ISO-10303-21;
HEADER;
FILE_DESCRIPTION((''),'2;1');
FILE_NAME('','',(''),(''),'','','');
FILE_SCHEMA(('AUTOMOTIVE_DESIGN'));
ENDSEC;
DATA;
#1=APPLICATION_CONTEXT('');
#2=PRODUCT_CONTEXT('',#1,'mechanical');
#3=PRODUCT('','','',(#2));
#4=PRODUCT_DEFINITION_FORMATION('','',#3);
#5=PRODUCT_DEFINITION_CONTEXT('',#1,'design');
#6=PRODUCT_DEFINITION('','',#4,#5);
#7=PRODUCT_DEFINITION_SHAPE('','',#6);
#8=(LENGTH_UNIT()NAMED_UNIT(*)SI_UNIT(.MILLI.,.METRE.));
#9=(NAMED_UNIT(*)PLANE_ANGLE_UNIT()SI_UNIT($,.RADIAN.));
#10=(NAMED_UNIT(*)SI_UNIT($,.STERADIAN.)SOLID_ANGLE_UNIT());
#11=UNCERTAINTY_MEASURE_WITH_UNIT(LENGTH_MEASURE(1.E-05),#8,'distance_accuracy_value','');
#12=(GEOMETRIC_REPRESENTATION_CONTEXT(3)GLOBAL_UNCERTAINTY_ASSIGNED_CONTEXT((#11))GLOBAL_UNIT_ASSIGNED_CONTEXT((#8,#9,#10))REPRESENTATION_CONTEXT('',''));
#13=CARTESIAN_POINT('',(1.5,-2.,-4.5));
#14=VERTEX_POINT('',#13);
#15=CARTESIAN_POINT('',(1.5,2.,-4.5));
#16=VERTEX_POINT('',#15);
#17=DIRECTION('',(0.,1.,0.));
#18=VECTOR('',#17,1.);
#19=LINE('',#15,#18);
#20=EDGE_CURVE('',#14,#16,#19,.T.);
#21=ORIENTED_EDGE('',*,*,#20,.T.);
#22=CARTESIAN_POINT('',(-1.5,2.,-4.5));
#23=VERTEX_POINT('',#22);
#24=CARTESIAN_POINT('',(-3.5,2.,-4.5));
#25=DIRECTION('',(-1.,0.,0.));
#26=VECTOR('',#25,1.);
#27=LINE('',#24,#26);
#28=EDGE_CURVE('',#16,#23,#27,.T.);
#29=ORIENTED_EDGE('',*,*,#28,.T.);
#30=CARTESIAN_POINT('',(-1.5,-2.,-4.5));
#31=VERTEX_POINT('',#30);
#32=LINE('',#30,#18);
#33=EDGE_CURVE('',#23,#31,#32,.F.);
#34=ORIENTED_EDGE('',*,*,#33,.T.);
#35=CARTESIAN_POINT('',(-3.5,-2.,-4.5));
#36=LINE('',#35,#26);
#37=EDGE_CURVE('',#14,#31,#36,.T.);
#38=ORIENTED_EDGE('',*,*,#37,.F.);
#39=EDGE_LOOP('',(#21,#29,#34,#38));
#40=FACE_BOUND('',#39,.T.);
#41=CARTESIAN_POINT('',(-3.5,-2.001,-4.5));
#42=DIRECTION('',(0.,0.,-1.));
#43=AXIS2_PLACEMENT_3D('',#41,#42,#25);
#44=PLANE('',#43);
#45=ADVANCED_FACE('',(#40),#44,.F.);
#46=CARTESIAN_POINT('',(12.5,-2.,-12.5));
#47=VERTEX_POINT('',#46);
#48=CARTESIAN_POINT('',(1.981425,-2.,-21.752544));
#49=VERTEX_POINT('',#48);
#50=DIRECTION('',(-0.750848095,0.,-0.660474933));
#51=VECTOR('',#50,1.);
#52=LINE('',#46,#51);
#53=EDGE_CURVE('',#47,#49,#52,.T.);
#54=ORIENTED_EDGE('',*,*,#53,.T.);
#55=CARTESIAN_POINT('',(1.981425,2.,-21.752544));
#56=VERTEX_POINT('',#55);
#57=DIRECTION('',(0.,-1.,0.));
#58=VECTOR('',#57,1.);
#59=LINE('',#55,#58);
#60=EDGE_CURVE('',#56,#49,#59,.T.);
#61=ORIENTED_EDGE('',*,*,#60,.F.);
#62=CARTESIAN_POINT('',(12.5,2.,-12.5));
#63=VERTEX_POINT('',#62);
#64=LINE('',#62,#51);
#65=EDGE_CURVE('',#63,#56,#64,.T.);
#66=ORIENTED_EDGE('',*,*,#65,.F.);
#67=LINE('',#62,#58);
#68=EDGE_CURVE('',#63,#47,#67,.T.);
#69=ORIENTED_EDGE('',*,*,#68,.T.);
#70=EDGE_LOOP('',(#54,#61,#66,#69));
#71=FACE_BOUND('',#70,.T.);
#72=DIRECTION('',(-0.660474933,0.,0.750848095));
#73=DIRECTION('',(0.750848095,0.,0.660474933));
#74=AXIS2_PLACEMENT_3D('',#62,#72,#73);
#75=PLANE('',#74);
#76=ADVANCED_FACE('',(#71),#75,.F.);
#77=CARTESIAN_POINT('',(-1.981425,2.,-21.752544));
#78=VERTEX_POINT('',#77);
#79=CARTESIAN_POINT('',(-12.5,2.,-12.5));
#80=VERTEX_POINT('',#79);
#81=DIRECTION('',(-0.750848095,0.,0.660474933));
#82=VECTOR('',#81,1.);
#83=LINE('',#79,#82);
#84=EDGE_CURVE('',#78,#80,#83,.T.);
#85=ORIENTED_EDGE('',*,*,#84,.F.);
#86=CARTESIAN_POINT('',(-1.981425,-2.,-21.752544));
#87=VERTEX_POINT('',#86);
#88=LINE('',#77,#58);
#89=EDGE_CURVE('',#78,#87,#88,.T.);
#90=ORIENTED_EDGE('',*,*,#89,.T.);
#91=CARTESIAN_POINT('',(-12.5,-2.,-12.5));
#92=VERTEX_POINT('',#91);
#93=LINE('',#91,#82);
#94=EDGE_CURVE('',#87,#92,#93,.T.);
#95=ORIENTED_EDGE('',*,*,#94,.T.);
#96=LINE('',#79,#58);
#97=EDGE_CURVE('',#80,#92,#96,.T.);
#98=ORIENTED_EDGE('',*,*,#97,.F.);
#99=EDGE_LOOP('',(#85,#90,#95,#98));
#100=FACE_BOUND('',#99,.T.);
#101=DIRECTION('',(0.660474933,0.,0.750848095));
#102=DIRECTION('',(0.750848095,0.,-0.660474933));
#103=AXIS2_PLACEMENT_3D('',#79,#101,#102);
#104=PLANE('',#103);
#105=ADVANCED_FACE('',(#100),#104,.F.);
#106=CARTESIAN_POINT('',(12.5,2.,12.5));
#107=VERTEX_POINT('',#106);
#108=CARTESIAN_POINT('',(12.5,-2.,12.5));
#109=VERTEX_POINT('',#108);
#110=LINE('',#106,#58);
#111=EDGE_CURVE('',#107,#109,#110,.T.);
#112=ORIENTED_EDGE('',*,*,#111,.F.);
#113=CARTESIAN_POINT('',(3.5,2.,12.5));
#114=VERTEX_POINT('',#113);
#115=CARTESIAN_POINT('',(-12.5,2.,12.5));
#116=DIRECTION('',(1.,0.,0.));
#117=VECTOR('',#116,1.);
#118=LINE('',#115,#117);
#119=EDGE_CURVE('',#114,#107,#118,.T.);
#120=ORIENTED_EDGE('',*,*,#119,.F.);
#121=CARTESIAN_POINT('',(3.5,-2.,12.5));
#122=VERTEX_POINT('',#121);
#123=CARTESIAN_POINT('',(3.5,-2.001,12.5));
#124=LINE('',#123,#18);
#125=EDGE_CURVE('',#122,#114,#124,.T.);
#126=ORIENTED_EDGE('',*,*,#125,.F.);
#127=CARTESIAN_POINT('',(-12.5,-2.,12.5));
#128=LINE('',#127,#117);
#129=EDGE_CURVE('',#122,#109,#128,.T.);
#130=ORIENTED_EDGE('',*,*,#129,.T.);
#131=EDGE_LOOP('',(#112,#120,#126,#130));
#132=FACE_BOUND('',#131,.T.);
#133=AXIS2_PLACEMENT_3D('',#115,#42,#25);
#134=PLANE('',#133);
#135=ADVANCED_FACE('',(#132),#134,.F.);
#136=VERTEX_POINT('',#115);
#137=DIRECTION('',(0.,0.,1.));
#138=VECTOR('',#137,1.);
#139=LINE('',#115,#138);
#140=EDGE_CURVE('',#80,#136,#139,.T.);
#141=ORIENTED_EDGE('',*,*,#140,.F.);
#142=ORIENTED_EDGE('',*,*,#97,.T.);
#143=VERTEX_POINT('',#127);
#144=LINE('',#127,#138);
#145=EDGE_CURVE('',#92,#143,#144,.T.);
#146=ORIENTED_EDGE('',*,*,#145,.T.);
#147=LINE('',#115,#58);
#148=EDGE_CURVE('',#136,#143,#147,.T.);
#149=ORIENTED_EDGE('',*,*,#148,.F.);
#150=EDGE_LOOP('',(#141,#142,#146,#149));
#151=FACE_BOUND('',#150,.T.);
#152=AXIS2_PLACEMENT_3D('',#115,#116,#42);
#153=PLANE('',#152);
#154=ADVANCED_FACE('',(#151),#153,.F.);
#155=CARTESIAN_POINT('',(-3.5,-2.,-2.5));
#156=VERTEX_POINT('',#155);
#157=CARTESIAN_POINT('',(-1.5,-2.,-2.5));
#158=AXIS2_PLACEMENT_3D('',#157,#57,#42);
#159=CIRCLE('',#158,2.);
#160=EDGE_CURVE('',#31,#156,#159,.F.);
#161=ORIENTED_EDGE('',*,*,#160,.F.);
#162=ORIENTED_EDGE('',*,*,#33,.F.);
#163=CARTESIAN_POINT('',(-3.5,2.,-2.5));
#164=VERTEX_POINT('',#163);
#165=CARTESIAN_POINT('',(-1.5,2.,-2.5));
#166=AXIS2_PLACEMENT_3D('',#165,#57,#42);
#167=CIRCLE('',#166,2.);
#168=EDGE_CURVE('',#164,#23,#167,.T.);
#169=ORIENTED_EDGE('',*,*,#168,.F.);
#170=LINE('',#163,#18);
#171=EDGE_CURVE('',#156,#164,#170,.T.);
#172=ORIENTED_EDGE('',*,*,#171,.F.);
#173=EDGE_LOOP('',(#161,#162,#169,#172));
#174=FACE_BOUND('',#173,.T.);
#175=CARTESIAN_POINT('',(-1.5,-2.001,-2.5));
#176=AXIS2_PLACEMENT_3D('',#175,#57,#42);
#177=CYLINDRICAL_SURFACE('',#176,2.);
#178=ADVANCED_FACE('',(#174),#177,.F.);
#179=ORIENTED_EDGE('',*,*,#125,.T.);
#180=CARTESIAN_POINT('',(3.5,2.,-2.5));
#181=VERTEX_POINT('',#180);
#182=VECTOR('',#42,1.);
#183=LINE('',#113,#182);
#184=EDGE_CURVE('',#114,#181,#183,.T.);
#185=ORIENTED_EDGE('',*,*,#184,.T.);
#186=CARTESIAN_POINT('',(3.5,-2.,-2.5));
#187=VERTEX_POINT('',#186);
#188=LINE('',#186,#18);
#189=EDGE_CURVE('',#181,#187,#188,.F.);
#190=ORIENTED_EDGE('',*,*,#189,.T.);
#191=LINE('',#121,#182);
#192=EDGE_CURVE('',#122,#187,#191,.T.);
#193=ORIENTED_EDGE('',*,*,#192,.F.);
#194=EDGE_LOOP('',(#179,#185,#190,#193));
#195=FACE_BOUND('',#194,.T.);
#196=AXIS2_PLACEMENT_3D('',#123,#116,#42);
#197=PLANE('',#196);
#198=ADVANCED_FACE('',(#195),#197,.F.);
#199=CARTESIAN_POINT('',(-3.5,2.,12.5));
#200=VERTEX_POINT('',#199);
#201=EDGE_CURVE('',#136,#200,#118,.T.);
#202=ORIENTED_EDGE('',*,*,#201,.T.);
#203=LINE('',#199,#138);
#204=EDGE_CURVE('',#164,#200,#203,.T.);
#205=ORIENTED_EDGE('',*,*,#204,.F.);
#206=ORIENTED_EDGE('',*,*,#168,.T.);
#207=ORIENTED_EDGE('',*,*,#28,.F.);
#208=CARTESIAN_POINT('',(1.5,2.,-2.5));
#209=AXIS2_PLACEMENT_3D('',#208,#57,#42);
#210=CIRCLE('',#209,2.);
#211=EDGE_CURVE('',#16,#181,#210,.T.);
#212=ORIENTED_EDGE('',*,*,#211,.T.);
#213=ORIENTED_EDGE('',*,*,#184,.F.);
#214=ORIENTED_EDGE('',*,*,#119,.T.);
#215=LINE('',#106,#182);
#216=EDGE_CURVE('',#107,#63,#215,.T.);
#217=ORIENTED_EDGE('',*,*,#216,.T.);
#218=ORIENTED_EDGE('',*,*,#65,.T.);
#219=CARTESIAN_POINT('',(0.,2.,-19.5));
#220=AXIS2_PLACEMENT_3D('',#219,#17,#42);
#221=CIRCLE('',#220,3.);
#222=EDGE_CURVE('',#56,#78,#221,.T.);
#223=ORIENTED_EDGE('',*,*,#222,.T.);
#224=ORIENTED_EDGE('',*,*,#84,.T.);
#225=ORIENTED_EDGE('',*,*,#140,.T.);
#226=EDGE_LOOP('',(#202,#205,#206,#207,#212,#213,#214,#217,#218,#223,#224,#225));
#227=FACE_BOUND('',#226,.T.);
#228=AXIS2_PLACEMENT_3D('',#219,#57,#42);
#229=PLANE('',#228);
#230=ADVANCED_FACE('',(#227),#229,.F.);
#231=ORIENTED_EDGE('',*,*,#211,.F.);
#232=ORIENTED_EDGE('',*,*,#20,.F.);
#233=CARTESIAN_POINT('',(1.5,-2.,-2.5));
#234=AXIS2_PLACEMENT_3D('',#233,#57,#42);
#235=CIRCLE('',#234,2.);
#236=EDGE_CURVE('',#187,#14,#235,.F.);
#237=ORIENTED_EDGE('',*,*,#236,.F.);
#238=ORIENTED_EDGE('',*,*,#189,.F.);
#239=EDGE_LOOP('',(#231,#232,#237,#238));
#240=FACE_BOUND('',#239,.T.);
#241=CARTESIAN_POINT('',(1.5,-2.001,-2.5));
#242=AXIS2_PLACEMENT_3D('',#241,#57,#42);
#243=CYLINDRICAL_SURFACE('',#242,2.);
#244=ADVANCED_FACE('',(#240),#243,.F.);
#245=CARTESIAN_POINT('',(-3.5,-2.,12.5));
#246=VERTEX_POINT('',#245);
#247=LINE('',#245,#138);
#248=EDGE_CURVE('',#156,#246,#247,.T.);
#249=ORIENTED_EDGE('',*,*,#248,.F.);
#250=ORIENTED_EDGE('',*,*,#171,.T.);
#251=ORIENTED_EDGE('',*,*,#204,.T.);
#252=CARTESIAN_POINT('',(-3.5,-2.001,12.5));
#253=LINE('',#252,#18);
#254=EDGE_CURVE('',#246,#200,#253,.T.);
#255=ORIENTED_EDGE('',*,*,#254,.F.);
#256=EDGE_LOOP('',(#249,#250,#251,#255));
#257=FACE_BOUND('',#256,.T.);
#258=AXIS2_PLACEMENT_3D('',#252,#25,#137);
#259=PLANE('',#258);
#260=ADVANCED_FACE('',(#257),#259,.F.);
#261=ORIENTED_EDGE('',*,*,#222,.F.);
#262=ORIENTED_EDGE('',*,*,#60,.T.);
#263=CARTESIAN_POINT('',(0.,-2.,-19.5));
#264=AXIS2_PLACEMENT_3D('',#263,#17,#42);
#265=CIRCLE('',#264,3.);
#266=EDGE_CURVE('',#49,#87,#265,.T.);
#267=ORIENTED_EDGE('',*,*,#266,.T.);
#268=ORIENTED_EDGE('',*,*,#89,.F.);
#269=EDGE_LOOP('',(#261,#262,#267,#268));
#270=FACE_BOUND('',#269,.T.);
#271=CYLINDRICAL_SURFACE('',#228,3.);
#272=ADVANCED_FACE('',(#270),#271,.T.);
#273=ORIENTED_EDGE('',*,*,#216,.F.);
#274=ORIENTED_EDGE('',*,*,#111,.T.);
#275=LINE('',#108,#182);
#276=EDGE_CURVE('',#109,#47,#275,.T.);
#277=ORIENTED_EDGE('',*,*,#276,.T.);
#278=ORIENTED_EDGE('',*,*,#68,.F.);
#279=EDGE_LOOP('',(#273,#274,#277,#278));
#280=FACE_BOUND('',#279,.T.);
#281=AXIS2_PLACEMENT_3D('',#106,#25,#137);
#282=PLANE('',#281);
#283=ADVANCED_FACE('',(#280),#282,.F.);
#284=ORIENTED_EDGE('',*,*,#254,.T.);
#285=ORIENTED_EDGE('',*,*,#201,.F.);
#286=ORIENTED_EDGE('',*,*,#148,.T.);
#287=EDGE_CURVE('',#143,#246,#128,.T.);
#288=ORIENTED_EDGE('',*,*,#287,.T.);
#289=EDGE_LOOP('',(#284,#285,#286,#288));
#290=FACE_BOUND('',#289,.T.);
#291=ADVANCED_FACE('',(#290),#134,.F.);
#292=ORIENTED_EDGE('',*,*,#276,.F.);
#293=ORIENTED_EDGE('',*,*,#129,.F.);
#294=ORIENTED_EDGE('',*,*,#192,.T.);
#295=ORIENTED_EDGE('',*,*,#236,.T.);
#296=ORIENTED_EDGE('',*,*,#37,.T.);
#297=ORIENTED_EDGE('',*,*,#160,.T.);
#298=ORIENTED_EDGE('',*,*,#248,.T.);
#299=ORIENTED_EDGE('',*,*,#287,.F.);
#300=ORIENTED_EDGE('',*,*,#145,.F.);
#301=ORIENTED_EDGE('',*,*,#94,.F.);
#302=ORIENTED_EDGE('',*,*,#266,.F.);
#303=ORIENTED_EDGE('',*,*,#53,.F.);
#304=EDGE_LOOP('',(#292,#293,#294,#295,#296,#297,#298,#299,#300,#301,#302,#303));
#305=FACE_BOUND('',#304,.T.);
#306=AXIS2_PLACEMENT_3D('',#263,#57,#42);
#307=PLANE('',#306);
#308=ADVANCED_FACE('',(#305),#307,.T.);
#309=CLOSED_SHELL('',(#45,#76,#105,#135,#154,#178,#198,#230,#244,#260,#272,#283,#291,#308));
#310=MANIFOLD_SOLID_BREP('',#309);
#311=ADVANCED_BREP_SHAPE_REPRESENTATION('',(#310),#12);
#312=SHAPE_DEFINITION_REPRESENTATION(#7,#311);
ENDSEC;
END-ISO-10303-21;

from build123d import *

# Parameters (mm, degrees)
BOSS_EXTRUDE1_DEPTH = 2
CUT_EXTRUDE1_REACH  = 28.048
SKETCH2_W           = 7
SKETCH2_H           = 17
FILLET1_R           = 2


with BuildPart() as part:
    # Sketch1 → Boss-Extrude1 (new, symmetric)
    with BuildSketch(Plane(origin=(0, 0, 0), x_dir=(1, 0, 0), z_dir=(0, 1, 0))):
        with BuildLine():
            Line((-12.5, -12.5), (12.5, -12.5))
            Line((12.5, -12.5), (12.5, 12.5))
            Line((12.5, 12.5), (1.9814248, 21.752544286))
            ThreePointArc((1.9814248, 21.752544286), (0, 22.5), (-1.9814248, 21.752544286))
            Line((-1.9814248, 21.752544286), (-12.5, 12.5))
            Line((-12.5, 12.5), (-12.5, -12.5))
        make_face()
    extrude(amount=BOSS_EXTRUDE1_DEPTH, both=True)

    # Sketch2 → Cut-Extrude1 (cut, up to next)
    with BuildSketch(Plane(origin=(0, 2, 0), x_dir=(1, 0, 0), z_dir=(0, 1, 0)), mode=Mode.PRIVATE) as cut_extrude1_sk1:
        with Locations((0, -4)):
            Rectangle(SKETCH2_W, SKETCH2_H)
    cut_extrude1_tool1 = extrude(cut_extrude1_sk1.sketch, amount=-CUT_EXTRUDE1_REACH, mode=Mode.PRIVATE) & part.part
    add(cut_extrude1_tool1.solids().sort_by_distance((0, 2, 4))[0], mode=Mode.SUBTRACT)

    # Fillet1
    fillet1_edges = [part.edges().sort_by_distance(p)[0] for p in [
        (-3.5, 0, -4.5),
        (3.5, 0, -4.5),
    ]]
    fillet(fillet1_edges, radius=FILLET1_R)


solid = part.part
